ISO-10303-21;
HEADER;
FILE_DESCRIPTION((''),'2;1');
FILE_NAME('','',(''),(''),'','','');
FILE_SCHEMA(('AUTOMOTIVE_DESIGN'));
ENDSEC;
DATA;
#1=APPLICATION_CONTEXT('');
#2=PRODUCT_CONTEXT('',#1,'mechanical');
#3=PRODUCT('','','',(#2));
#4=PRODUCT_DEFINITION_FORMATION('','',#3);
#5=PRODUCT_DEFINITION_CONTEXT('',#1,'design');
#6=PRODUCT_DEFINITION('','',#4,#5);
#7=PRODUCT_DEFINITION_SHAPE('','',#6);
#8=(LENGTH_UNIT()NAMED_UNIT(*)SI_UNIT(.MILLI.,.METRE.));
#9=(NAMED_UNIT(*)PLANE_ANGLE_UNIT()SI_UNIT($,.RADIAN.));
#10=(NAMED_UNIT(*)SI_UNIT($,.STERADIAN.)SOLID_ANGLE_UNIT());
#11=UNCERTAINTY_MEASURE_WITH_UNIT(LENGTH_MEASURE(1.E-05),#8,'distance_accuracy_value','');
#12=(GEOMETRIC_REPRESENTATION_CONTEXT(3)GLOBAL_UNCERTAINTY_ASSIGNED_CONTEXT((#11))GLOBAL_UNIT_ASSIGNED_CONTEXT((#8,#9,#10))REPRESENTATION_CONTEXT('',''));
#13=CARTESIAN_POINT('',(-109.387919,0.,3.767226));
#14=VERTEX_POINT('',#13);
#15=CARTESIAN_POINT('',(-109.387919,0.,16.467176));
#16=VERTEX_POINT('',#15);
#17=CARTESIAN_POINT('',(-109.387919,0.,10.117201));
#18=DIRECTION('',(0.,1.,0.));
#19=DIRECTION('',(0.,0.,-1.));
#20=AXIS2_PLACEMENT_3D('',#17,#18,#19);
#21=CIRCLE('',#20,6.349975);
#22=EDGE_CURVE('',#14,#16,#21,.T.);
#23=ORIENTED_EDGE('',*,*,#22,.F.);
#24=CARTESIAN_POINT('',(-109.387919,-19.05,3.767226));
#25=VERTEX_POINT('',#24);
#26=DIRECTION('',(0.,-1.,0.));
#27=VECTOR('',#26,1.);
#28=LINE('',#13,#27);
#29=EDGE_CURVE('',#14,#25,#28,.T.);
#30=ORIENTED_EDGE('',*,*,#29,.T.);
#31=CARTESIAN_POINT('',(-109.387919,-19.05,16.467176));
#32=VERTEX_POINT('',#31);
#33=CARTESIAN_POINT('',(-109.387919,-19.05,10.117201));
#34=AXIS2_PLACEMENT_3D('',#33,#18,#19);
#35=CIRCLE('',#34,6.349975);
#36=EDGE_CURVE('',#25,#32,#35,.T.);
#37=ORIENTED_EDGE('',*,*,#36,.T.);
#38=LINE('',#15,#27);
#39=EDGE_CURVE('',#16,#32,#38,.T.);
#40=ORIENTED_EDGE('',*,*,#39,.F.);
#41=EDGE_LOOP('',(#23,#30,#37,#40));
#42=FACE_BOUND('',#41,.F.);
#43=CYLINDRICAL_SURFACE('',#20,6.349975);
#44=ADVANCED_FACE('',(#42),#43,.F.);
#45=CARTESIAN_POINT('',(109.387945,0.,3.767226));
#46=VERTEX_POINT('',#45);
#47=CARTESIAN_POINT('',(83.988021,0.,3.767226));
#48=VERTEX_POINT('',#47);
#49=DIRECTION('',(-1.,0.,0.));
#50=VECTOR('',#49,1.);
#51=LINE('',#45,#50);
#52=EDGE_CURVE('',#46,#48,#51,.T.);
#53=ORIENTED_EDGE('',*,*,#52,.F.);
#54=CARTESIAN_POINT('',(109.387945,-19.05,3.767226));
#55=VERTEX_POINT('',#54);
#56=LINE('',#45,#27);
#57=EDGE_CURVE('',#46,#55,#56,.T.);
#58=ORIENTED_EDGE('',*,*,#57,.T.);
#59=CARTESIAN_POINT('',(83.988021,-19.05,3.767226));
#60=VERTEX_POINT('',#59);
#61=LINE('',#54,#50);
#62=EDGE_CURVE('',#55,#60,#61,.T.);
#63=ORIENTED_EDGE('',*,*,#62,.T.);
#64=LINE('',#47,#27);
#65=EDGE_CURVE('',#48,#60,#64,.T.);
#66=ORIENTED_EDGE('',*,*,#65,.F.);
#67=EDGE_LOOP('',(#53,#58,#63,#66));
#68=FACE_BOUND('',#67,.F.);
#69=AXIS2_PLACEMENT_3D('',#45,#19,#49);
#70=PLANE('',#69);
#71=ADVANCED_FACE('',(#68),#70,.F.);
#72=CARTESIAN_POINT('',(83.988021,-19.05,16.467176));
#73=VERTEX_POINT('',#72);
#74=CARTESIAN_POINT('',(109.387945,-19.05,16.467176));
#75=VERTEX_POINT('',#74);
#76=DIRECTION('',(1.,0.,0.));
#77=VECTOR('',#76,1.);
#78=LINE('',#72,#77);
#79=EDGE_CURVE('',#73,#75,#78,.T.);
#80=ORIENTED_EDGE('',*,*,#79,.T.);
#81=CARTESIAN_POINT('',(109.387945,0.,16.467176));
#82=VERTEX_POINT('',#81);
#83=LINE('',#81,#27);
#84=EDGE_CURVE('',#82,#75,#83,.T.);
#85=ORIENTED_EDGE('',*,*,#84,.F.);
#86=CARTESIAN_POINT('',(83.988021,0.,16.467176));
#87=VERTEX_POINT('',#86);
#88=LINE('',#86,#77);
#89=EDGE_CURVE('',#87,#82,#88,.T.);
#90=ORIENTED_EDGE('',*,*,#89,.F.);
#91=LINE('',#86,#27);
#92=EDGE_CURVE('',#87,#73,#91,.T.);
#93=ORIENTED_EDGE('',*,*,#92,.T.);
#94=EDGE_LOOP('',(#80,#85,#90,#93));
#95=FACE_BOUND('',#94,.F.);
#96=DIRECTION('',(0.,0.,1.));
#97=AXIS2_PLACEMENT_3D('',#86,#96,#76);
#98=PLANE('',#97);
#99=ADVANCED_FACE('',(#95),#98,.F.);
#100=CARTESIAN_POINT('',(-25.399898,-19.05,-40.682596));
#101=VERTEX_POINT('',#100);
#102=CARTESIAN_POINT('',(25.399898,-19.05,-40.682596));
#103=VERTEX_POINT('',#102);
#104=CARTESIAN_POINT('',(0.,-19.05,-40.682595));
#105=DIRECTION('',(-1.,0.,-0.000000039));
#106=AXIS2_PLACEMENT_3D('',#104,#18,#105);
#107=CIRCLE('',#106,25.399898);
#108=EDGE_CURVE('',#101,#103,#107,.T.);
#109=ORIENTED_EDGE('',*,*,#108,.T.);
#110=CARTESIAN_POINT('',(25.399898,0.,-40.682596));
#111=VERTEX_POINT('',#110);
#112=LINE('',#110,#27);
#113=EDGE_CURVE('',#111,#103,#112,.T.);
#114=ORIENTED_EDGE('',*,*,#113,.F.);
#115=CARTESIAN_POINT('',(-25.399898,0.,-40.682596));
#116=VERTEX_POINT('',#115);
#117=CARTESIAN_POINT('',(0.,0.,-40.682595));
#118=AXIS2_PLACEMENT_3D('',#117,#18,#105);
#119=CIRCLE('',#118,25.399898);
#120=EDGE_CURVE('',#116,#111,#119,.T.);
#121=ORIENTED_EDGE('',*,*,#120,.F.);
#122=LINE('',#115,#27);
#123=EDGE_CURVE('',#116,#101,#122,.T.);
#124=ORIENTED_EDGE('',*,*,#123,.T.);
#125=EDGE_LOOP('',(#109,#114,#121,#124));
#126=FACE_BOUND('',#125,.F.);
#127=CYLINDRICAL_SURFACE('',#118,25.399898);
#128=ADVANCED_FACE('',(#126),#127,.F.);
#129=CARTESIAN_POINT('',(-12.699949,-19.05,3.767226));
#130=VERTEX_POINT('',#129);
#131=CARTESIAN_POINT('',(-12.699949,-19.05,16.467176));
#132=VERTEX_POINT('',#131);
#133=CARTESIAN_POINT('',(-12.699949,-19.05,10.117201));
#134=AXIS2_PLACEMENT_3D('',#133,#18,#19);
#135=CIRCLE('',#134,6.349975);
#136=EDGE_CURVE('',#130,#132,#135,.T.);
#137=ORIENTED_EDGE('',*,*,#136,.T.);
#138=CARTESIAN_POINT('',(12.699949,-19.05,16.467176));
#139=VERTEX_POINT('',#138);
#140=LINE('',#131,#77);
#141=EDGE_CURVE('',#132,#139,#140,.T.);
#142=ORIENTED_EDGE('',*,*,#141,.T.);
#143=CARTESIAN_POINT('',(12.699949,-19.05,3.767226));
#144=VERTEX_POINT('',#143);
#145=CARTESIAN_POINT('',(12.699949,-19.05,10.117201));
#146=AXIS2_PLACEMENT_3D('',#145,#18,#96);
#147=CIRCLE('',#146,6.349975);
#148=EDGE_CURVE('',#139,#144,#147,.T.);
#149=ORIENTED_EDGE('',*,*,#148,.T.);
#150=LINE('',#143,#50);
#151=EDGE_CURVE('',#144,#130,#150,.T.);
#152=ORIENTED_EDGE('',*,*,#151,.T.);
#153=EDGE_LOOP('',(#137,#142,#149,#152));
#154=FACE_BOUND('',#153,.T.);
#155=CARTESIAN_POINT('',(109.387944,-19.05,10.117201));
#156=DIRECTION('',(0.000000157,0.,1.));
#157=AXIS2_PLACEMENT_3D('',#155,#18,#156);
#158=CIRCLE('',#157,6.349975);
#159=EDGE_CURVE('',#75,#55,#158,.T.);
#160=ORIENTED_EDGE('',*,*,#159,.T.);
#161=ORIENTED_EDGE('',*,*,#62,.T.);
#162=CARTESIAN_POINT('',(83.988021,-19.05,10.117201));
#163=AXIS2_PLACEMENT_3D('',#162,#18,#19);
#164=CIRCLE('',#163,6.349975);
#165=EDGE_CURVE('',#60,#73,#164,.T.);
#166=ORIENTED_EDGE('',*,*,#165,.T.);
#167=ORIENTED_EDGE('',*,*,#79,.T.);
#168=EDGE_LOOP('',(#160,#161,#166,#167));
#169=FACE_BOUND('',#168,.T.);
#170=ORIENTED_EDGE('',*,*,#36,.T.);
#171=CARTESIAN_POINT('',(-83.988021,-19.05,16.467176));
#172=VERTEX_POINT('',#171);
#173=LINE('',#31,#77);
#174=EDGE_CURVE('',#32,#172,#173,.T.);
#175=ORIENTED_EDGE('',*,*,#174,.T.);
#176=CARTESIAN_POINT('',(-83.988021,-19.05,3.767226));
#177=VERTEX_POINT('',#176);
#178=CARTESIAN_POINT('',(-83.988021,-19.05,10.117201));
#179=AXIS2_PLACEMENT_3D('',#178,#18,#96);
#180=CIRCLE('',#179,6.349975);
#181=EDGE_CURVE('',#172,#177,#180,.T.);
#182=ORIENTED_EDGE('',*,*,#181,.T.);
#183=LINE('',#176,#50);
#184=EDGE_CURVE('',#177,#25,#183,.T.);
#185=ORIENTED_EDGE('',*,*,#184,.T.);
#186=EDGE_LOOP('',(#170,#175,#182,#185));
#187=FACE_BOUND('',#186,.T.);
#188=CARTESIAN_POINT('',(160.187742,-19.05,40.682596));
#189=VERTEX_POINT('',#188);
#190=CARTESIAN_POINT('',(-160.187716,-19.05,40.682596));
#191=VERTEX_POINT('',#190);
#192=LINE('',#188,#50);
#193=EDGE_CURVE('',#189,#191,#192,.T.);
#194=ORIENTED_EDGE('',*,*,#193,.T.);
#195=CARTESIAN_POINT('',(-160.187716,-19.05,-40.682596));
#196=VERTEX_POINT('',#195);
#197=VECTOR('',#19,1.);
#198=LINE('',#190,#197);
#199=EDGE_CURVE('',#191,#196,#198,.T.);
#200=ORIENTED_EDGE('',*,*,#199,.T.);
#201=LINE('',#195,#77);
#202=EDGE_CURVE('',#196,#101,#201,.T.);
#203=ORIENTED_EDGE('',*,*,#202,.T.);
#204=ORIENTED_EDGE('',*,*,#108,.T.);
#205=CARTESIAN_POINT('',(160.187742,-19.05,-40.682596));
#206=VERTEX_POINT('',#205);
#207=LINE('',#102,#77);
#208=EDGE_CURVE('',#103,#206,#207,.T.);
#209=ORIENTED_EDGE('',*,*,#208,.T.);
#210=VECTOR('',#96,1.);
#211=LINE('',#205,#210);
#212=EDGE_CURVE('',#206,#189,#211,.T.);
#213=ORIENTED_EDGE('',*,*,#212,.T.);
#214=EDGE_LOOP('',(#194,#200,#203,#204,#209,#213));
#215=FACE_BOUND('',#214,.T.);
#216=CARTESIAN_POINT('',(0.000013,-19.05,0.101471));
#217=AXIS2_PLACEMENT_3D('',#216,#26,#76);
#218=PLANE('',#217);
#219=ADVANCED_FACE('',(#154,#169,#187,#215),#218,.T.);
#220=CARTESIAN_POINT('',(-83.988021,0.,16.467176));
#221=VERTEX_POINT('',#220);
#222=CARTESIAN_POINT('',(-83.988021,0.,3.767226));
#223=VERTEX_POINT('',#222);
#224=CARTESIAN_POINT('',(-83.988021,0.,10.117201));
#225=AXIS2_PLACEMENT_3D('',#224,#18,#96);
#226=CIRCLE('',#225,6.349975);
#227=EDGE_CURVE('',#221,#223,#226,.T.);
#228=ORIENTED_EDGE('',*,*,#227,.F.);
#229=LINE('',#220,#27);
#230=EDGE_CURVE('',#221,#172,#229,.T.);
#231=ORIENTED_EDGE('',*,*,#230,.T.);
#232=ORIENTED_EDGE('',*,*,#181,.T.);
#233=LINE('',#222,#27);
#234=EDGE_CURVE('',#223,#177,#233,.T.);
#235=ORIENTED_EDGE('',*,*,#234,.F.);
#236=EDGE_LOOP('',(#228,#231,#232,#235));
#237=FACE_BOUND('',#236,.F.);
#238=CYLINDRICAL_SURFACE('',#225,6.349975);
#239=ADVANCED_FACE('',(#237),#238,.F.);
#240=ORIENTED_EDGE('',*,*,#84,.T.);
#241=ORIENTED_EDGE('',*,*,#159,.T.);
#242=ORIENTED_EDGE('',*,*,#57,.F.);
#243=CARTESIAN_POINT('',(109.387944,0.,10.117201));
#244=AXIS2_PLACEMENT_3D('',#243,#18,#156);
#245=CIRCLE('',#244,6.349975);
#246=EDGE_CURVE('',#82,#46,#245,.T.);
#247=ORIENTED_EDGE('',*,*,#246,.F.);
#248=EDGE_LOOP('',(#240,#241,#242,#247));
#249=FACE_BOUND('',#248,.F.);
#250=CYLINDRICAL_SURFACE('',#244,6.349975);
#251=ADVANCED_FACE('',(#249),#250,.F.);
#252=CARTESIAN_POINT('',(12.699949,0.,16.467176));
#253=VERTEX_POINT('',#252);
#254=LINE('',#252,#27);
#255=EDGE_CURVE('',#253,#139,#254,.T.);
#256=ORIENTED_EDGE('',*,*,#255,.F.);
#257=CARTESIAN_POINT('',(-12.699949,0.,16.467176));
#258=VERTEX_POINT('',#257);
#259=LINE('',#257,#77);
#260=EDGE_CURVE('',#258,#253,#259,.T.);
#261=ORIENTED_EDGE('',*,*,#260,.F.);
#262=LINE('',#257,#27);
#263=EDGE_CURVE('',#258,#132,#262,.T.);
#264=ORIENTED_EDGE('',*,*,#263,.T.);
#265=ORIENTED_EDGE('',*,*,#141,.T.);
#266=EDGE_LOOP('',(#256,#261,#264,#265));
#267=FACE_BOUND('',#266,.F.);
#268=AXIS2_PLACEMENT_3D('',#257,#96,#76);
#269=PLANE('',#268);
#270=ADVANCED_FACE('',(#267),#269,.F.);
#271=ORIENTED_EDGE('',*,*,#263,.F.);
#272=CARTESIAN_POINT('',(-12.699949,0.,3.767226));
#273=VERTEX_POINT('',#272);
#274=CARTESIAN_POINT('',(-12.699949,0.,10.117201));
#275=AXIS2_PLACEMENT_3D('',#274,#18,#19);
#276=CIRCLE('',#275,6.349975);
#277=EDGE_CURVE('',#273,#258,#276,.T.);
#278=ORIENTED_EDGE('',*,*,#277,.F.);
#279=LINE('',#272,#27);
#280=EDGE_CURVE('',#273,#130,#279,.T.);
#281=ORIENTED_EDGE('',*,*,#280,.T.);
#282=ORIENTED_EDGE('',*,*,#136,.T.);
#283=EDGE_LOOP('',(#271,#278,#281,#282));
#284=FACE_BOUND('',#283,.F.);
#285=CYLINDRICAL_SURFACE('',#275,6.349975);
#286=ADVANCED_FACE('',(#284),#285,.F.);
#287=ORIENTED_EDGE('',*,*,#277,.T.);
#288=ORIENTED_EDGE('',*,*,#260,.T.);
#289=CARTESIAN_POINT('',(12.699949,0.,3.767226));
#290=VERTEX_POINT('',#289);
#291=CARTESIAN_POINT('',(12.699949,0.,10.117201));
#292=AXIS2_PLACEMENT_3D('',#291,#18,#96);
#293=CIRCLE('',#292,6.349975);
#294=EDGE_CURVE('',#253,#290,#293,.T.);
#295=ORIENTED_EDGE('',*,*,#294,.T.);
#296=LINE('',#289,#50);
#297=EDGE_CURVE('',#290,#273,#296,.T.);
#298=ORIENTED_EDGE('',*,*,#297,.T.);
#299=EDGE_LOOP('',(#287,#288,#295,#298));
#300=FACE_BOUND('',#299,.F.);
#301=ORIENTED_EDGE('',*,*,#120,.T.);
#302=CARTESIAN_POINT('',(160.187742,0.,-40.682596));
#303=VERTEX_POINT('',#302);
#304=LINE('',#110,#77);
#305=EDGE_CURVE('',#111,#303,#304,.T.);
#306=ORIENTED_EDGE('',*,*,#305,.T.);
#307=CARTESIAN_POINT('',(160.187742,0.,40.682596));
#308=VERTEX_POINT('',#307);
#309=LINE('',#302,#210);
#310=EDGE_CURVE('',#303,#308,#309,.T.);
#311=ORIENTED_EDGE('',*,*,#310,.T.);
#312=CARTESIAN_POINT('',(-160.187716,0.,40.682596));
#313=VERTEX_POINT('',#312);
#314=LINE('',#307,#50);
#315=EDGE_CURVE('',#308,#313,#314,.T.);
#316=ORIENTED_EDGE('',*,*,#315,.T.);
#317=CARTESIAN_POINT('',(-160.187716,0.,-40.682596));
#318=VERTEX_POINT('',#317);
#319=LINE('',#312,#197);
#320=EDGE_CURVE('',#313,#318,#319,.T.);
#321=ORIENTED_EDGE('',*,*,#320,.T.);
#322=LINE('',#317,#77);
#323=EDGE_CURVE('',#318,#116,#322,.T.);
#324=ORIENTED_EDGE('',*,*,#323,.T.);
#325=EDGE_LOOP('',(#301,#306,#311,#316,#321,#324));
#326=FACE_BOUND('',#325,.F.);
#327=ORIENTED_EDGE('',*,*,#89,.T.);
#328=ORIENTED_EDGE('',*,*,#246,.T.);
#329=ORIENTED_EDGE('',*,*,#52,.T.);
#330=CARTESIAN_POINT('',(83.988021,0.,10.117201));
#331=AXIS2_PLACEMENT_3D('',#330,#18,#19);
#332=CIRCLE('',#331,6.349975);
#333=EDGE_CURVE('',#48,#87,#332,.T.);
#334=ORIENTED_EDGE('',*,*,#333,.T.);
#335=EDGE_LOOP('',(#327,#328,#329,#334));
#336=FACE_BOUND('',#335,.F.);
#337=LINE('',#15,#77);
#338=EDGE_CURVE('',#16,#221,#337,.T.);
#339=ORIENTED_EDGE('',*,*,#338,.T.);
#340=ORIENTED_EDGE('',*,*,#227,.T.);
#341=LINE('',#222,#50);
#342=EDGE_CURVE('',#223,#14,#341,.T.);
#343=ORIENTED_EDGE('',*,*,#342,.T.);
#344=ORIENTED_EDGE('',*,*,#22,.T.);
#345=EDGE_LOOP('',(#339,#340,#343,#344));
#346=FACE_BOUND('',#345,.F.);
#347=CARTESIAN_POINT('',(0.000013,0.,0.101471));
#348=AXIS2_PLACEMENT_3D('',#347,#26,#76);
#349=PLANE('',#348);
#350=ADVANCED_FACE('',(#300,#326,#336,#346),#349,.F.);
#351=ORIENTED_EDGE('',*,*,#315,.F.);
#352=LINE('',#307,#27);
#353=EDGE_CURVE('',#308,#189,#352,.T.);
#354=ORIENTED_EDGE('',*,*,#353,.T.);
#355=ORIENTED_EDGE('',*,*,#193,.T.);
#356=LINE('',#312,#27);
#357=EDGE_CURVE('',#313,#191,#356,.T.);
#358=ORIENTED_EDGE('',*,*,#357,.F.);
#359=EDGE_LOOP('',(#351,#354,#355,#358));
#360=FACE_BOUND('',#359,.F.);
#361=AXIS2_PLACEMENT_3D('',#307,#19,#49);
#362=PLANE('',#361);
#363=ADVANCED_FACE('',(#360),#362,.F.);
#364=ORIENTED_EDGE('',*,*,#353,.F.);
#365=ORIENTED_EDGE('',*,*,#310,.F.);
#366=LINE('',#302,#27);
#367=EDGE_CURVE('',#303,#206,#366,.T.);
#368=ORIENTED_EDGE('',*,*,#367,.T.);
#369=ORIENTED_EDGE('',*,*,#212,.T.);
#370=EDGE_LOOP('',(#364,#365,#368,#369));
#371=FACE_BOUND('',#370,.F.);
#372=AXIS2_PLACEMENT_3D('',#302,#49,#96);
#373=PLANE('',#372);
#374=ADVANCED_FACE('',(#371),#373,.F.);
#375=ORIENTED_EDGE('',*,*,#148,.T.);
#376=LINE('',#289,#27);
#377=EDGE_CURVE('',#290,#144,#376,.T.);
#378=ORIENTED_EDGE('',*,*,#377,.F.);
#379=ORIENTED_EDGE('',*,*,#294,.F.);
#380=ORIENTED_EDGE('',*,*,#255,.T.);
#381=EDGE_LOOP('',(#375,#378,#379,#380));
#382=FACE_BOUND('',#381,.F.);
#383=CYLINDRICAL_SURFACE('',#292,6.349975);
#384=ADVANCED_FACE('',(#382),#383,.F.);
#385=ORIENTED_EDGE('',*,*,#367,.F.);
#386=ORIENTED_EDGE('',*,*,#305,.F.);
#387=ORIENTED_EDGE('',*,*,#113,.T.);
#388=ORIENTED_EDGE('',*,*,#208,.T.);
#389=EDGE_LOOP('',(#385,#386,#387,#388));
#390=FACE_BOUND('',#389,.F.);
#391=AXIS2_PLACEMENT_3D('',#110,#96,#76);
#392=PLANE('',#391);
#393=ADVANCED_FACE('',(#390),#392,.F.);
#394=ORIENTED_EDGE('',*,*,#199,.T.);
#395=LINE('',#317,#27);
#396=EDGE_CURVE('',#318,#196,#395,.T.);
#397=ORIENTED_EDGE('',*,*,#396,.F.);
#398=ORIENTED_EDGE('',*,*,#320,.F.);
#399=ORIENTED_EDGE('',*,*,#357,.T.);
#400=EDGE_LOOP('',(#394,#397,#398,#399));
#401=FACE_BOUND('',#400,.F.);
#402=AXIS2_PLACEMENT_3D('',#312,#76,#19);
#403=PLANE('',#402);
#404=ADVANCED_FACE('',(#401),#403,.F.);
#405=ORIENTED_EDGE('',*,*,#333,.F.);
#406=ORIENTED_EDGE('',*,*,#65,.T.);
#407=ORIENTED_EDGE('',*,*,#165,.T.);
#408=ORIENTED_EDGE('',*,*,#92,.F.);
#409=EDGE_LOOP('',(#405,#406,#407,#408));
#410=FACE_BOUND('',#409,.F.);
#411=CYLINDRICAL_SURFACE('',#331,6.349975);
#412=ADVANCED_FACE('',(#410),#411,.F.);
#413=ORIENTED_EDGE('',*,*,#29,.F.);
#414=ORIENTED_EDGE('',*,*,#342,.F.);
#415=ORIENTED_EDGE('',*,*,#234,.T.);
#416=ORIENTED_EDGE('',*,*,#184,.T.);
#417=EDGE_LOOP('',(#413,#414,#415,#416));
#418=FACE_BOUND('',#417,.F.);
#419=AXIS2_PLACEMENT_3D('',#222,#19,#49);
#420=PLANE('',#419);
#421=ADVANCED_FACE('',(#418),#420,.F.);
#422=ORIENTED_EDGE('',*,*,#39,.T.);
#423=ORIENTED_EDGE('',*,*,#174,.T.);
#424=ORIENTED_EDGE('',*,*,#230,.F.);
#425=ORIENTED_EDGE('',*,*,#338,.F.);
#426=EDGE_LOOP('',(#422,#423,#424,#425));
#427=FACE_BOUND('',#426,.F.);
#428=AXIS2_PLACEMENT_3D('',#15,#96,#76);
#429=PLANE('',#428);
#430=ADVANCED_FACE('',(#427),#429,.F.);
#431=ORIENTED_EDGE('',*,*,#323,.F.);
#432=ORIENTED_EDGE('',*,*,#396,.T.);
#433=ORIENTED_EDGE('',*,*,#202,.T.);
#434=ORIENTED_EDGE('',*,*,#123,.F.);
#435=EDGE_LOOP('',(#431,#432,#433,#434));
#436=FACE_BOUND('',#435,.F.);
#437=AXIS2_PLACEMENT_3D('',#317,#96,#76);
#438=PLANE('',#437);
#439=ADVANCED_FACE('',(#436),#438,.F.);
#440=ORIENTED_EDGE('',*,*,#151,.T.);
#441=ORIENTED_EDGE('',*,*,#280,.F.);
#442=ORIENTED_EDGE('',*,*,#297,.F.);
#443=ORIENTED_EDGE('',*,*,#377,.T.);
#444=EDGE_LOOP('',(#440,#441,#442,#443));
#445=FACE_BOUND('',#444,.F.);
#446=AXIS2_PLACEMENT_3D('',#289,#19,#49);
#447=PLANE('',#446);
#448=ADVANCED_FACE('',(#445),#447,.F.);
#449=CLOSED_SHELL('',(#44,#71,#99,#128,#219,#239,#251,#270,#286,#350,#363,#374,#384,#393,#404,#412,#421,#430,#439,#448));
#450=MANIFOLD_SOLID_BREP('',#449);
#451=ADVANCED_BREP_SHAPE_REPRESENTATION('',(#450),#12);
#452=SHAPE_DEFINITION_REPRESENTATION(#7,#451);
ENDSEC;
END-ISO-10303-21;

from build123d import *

# Parameters (mm, degrees)
F1_DEPTH = 19.05


with BuildPart() as f1:
    # F0 (on Front) → F1 (new body)
    with BuildSketch(Plane.XZ):
        with BuildLine():
            Line((-160.187716, -40.682596), (-25.399898, -40.682596))
            ThreePointArc((-25.399898, -40.682596), (0, -15.282697), (25.399898, -40.682596))
            Line((25.399898, -40.682596), (160.187742, -40.682596))
            Line((160.187742, -40.682596), (160.187742, 40.682596))
            Line((160.187742, 40.682596), (-160.187716, 40.682596))
            Line((-160.187716, 40.682596), (-160.187716, -40.682596))
        make_face()
        with BuildLine():
            ThreePointArc((-109.387919, 3.767226), (-115.737894, 10.117201), (-109.387919, 16.467176))
            Line((-109.387919, 16.467176), (-83.988021, 16.467176))
            ThreePointArc((-83.988021, 16.467176), (-77.638046, 10.117201), (-83.988021, 3.767226))
            Line((-83.988021, 3.767226), (-109.387919, 3.767226))
        make_face(mode=Mode.SUBTRACT)
        with BuildLine():
            ThreePointArc((-12.699949, 3.767226), (-19.049924, 10.117201), (-12.699949, 16.467176))
            Line((-12.699949, 16.467176), (12.699949, 16.467176))
            ThreePointArc((12.699949, 16.467176), (19.049924, 10.117201), (12.699949, 3.767226))
            Line((12.699949, 3.767226), (-12.699949, 3.767226))
        make_face(mode=Mode.SUBTRACT)
        with BuildLine():
            ThreePointArc((109.387945, 16.467176), (115.737919, 10.117201), (109.387945, 3.767226))
            Line((109.387945, 3.767226), (83.988021, 3.767226))
            ThreePointArc((83.988021, 3.767226), (77.638046, 10.117201), (83.988021, 16.467176))
            Line((83.988021, 16.467176), (109.387945, 16.467176))
        make_face(mode=Mode.SUBTRACT)
    extrude(amount=F1_DEPTH)


solid = f1.part
